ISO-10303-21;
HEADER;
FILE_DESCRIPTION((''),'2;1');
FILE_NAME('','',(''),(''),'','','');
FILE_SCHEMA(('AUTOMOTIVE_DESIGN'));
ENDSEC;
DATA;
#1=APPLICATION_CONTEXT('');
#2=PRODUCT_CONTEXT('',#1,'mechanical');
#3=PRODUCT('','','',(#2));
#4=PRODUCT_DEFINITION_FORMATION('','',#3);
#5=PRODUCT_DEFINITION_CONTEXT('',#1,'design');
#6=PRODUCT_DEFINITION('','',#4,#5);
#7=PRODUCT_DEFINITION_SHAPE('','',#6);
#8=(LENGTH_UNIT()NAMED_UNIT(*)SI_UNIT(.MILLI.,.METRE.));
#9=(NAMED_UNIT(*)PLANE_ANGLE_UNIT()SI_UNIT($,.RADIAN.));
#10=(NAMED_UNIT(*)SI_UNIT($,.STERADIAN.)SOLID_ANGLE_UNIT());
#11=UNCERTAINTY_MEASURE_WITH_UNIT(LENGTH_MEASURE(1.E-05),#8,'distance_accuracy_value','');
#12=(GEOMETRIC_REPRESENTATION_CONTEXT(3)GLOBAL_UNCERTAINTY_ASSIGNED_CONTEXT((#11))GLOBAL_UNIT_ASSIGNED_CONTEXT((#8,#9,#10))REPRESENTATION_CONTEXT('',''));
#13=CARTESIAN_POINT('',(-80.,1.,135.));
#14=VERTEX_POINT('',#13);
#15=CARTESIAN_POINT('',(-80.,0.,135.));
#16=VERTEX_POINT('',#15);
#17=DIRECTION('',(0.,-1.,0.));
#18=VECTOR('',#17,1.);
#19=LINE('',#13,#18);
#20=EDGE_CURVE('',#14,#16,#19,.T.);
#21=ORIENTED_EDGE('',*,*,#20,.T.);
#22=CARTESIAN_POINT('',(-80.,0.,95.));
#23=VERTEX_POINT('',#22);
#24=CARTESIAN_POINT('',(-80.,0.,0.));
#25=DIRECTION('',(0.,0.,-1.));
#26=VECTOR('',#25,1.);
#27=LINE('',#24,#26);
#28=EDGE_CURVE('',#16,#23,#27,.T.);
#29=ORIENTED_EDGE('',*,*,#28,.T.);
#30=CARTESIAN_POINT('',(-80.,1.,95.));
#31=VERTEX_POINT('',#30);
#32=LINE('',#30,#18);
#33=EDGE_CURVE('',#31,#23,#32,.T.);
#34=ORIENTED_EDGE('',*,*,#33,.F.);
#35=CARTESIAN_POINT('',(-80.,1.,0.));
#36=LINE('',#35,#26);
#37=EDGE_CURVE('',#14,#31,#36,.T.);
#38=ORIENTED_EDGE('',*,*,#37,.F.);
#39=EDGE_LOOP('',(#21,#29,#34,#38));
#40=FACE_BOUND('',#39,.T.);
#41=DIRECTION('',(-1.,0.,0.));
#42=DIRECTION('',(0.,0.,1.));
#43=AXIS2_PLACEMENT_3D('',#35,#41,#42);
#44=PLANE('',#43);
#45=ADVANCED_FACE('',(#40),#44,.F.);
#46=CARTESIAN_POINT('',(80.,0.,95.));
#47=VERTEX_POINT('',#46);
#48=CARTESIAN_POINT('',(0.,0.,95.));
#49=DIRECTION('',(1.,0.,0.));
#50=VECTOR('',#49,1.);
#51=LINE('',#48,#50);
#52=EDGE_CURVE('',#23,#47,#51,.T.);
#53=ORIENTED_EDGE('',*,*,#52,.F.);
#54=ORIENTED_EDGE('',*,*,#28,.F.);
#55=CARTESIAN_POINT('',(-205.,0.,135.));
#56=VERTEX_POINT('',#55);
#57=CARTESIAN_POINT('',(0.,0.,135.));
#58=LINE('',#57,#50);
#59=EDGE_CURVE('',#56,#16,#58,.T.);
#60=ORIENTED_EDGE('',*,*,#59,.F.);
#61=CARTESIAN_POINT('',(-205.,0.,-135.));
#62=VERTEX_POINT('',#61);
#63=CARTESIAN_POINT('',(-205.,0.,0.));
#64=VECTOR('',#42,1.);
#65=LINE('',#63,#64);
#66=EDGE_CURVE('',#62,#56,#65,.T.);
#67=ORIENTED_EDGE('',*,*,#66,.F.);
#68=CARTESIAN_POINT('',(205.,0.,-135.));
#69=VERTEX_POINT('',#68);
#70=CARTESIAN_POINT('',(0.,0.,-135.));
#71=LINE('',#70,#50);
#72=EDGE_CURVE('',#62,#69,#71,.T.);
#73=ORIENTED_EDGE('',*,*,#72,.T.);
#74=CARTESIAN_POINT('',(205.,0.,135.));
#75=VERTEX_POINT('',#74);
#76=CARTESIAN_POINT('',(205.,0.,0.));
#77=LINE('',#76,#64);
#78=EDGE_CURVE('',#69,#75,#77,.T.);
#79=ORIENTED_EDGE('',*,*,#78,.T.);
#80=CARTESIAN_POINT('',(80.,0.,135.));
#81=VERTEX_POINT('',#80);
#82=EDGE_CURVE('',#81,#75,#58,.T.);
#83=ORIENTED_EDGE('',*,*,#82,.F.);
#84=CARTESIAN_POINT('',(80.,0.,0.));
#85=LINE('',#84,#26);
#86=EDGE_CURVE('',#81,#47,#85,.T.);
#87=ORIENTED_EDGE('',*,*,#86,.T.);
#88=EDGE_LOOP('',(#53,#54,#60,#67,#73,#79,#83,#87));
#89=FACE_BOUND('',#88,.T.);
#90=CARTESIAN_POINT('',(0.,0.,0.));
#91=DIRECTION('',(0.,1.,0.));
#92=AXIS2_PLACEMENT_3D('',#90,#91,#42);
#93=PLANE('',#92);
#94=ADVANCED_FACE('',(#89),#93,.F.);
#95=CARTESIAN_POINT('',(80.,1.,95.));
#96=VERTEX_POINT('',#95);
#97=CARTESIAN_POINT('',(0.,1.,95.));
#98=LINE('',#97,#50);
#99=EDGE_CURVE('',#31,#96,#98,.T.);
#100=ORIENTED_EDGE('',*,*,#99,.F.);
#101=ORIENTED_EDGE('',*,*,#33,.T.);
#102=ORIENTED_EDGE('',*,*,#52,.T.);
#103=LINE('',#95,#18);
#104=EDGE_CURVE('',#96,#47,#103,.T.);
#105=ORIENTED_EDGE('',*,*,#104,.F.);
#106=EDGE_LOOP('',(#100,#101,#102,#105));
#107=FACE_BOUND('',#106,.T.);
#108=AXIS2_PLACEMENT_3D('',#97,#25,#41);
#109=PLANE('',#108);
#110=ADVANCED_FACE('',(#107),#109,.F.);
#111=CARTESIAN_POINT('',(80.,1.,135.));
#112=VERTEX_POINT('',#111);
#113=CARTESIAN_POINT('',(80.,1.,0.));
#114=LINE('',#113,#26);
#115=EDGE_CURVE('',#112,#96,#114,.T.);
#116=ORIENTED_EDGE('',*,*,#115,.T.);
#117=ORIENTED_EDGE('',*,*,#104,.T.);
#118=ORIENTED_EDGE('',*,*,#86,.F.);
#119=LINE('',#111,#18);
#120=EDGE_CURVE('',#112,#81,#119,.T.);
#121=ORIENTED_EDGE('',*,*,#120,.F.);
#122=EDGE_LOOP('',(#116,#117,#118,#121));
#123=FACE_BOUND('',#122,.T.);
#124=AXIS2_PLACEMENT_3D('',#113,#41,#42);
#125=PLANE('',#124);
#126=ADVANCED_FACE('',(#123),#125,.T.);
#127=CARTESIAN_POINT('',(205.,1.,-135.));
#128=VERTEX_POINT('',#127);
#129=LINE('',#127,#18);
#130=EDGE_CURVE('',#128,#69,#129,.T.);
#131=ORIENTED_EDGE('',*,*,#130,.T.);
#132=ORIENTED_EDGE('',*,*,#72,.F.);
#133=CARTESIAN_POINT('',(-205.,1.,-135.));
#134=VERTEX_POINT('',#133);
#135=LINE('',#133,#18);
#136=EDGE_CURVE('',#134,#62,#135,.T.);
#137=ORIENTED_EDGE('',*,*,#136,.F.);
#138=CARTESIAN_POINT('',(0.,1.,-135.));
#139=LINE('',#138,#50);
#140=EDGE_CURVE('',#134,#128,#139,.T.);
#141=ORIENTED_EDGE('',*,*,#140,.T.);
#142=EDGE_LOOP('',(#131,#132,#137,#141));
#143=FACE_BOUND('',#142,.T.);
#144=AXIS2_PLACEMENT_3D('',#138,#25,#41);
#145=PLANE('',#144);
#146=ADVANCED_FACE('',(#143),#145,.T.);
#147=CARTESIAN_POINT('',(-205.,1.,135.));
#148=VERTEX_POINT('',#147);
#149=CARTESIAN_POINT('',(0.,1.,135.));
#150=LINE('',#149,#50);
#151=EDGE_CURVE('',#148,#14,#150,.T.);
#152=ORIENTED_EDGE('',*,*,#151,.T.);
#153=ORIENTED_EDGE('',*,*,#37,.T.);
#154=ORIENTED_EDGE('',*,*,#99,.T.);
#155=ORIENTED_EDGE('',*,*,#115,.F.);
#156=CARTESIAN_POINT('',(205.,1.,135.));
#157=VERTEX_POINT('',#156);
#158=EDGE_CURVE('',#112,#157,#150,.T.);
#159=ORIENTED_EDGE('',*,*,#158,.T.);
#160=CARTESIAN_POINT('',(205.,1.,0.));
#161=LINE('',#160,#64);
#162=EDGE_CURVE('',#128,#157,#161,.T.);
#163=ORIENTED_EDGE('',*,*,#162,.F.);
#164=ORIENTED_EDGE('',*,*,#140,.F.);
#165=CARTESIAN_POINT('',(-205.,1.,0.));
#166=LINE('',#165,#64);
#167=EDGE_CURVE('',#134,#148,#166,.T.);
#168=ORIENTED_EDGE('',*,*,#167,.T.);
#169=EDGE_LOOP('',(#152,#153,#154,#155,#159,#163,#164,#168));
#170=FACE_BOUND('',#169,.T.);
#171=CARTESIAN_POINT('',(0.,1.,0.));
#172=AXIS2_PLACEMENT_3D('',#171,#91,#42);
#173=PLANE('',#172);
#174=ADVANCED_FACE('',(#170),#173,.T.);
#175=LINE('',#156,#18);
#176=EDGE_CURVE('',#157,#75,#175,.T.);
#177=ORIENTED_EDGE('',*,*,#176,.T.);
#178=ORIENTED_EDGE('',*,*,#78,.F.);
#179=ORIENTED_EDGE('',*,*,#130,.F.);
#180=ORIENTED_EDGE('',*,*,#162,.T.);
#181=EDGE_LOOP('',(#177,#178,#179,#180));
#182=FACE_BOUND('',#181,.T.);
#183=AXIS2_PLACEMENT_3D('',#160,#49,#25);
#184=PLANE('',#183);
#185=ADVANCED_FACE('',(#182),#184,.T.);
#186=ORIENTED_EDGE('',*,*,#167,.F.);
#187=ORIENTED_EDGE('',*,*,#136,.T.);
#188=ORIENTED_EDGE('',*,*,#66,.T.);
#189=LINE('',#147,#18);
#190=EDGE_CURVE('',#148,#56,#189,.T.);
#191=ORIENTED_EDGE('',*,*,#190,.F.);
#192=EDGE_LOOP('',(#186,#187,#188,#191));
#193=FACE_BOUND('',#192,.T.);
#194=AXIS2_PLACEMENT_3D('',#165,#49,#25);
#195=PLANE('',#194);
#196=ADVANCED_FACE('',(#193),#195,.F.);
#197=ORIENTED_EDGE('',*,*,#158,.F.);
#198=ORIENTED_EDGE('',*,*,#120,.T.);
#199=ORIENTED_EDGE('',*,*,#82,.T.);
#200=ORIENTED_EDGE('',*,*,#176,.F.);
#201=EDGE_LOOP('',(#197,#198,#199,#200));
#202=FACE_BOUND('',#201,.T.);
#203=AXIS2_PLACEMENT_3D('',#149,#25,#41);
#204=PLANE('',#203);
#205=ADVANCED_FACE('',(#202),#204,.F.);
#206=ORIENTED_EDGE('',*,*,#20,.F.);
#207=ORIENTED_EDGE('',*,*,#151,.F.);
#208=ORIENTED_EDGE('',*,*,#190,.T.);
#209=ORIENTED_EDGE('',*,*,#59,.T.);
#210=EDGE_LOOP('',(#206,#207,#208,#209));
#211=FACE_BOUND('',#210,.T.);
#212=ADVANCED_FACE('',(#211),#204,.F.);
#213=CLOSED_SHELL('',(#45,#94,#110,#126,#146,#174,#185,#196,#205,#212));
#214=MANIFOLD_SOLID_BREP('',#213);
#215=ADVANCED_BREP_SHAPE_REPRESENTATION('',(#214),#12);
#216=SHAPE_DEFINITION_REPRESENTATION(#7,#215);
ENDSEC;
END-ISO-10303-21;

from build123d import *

# Parameters (mm, degrees)
DODANIE_WYCI_GNI_CIE1_DEPTH = 1


with BuildPart() as part:
    # Szkic1 → Dodanie-wyciągnięcie1 (new body)
    with BuildSketch(Plane(origin=(0, 0, 0), x_dir=(1, 0, 0), z_dir=(0, 1, 0))):
        Polygon((205, 135), (-205, 135), (-205, -135), (-80, -135), (-80, -95), (80, -95), (80, -135), (205, -135), align=None)
    extrude(amount=DODANIE_WYCI_GNI_CIE1_DEPTH)


solid = part.part
